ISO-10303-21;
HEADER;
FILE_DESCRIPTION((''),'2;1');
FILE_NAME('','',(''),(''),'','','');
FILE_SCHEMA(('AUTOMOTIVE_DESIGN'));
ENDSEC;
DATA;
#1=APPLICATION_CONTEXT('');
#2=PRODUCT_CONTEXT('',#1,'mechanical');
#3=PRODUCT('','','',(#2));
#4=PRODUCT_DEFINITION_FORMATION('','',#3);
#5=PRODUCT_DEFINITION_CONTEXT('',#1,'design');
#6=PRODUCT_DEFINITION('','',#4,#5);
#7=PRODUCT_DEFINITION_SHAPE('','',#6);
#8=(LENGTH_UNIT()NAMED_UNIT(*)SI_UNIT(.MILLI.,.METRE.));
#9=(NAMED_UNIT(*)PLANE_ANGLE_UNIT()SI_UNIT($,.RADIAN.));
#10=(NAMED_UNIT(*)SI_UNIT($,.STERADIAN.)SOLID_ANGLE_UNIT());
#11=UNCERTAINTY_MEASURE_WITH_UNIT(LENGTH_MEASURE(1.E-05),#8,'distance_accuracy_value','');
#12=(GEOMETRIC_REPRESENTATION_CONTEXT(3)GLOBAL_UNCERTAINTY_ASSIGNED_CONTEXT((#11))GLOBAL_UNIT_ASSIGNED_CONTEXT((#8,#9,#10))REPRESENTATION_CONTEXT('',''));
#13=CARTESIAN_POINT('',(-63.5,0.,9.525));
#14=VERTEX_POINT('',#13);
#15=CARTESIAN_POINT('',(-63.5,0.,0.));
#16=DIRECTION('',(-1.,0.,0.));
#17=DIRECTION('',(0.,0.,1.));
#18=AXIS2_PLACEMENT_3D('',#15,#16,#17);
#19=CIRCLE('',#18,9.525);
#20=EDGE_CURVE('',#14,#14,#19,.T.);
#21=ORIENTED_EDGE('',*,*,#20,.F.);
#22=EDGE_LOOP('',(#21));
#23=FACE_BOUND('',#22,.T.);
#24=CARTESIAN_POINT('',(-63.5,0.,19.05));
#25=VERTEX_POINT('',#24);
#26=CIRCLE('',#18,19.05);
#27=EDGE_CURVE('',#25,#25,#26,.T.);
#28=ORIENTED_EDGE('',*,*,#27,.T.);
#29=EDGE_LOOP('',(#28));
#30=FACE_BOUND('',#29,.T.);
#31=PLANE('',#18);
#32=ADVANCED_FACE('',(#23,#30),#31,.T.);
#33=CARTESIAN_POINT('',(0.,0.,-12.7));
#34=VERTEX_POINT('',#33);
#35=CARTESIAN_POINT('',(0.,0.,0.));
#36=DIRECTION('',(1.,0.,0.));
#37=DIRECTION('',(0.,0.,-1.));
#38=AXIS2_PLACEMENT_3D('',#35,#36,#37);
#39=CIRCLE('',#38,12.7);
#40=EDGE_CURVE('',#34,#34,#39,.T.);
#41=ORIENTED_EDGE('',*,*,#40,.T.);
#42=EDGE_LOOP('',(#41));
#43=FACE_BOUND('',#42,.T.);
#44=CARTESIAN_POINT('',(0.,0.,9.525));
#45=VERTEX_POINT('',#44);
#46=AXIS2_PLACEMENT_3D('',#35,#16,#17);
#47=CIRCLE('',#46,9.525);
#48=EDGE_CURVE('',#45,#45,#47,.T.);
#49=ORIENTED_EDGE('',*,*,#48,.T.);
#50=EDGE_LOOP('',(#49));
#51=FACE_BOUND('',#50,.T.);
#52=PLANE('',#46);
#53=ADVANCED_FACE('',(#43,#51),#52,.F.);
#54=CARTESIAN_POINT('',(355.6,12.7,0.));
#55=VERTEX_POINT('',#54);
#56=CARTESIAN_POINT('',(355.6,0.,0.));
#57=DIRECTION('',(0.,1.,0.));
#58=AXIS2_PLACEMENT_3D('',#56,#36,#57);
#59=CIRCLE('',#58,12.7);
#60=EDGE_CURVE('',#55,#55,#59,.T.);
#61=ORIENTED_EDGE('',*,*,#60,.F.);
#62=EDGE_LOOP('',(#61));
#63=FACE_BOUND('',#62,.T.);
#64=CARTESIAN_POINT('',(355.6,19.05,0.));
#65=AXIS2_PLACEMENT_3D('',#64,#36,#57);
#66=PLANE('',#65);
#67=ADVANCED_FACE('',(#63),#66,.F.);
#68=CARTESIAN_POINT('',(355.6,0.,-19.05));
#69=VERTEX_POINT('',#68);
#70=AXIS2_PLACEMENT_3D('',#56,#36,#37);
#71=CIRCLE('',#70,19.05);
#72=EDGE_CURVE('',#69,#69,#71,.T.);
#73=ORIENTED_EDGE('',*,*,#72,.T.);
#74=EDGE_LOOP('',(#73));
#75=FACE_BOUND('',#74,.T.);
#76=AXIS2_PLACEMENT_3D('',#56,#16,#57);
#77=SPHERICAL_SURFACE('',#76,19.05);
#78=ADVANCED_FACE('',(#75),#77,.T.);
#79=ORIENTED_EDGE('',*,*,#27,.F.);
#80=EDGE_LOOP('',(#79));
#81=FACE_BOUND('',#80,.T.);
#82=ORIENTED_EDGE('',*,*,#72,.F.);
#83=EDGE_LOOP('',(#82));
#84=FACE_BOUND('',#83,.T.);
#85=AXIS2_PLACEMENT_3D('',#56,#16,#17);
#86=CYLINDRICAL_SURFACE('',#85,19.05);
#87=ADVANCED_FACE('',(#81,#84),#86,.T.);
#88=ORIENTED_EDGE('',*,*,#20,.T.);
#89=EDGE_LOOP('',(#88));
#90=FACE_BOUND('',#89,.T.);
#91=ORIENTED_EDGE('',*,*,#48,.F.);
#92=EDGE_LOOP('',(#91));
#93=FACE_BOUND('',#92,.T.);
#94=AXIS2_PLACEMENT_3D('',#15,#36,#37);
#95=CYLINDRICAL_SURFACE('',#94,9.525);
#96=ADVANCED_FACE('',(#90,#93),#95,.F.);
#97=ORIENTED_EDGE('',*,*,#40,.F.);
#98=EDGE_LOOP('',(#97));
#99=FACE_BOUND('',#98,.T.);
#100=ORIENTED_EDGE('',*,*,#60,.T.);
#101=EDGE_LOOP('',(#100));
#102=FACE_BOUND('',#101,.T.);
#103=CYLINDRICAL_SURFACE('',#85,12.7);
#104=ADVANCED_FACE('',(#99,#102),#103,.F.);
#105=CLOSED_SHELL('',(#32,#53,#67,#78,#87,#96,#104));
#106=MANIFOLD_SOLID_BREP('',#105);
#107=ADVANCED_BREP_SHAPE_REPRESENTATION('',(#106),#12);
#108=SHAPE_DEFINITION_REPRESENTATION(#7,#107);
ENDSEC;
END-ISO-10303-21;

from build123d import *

# Parameters (mm, degrees)
SKETCH1_R           = 19.05
SKETCH1_R_2         = 12.7
BOSS_EXTRUDE1_DEPTH = 355.6
BOSS_EXTRUDE2_START = 63.5
SKETCH4_R           = 19.05
SKETCH4_R_2         = 9.525
BOSS_EXTRUDE2_DEPTH = 63.5


with BuildPart() as part:
    # Sketch1 → Boss-Extrude1 (new body)
    with BuildSketch(Plane(origin=(0, 0, 0), x_dir=(0, 0, -1), z_dir=(1, 0, 0))):
        Circle(SKETCH1_R)
        Circle(SKETCH1_R_2, mode=Mode.SUBTRACT)
    extrude(amount=BOSS_EXTRUDE1_DEPTH)

    # Sketch3 → Revolve1 (revolve)
    with BuildSketch(Plane.XY):
        with BuildLine():
            Line((355.6, 19.05), (355.6, 0))
            Line((355.6, 0), (374.65, 0))
            ThreePointArc((374.65, 0), (369.070384182, 13.470384182), (355.6, 19.05))
        make_face()
    revolve(axis=Axis((355.6, 0, 0), (1, 0, 0)))

    # Sketch4 → Boss-Extrude2 (add)
    with BuildSketch(Plane.ZY.offset(BOSS_EXTRUDE2_START)):
        Circle(SKETCH4_R)
        Circle(SKETCH4_R_2, mode=Mode.SUBTRACT)
    extrude(amount=-BOSS_EXTRUDE2_DEPTH)


solid = part.part
